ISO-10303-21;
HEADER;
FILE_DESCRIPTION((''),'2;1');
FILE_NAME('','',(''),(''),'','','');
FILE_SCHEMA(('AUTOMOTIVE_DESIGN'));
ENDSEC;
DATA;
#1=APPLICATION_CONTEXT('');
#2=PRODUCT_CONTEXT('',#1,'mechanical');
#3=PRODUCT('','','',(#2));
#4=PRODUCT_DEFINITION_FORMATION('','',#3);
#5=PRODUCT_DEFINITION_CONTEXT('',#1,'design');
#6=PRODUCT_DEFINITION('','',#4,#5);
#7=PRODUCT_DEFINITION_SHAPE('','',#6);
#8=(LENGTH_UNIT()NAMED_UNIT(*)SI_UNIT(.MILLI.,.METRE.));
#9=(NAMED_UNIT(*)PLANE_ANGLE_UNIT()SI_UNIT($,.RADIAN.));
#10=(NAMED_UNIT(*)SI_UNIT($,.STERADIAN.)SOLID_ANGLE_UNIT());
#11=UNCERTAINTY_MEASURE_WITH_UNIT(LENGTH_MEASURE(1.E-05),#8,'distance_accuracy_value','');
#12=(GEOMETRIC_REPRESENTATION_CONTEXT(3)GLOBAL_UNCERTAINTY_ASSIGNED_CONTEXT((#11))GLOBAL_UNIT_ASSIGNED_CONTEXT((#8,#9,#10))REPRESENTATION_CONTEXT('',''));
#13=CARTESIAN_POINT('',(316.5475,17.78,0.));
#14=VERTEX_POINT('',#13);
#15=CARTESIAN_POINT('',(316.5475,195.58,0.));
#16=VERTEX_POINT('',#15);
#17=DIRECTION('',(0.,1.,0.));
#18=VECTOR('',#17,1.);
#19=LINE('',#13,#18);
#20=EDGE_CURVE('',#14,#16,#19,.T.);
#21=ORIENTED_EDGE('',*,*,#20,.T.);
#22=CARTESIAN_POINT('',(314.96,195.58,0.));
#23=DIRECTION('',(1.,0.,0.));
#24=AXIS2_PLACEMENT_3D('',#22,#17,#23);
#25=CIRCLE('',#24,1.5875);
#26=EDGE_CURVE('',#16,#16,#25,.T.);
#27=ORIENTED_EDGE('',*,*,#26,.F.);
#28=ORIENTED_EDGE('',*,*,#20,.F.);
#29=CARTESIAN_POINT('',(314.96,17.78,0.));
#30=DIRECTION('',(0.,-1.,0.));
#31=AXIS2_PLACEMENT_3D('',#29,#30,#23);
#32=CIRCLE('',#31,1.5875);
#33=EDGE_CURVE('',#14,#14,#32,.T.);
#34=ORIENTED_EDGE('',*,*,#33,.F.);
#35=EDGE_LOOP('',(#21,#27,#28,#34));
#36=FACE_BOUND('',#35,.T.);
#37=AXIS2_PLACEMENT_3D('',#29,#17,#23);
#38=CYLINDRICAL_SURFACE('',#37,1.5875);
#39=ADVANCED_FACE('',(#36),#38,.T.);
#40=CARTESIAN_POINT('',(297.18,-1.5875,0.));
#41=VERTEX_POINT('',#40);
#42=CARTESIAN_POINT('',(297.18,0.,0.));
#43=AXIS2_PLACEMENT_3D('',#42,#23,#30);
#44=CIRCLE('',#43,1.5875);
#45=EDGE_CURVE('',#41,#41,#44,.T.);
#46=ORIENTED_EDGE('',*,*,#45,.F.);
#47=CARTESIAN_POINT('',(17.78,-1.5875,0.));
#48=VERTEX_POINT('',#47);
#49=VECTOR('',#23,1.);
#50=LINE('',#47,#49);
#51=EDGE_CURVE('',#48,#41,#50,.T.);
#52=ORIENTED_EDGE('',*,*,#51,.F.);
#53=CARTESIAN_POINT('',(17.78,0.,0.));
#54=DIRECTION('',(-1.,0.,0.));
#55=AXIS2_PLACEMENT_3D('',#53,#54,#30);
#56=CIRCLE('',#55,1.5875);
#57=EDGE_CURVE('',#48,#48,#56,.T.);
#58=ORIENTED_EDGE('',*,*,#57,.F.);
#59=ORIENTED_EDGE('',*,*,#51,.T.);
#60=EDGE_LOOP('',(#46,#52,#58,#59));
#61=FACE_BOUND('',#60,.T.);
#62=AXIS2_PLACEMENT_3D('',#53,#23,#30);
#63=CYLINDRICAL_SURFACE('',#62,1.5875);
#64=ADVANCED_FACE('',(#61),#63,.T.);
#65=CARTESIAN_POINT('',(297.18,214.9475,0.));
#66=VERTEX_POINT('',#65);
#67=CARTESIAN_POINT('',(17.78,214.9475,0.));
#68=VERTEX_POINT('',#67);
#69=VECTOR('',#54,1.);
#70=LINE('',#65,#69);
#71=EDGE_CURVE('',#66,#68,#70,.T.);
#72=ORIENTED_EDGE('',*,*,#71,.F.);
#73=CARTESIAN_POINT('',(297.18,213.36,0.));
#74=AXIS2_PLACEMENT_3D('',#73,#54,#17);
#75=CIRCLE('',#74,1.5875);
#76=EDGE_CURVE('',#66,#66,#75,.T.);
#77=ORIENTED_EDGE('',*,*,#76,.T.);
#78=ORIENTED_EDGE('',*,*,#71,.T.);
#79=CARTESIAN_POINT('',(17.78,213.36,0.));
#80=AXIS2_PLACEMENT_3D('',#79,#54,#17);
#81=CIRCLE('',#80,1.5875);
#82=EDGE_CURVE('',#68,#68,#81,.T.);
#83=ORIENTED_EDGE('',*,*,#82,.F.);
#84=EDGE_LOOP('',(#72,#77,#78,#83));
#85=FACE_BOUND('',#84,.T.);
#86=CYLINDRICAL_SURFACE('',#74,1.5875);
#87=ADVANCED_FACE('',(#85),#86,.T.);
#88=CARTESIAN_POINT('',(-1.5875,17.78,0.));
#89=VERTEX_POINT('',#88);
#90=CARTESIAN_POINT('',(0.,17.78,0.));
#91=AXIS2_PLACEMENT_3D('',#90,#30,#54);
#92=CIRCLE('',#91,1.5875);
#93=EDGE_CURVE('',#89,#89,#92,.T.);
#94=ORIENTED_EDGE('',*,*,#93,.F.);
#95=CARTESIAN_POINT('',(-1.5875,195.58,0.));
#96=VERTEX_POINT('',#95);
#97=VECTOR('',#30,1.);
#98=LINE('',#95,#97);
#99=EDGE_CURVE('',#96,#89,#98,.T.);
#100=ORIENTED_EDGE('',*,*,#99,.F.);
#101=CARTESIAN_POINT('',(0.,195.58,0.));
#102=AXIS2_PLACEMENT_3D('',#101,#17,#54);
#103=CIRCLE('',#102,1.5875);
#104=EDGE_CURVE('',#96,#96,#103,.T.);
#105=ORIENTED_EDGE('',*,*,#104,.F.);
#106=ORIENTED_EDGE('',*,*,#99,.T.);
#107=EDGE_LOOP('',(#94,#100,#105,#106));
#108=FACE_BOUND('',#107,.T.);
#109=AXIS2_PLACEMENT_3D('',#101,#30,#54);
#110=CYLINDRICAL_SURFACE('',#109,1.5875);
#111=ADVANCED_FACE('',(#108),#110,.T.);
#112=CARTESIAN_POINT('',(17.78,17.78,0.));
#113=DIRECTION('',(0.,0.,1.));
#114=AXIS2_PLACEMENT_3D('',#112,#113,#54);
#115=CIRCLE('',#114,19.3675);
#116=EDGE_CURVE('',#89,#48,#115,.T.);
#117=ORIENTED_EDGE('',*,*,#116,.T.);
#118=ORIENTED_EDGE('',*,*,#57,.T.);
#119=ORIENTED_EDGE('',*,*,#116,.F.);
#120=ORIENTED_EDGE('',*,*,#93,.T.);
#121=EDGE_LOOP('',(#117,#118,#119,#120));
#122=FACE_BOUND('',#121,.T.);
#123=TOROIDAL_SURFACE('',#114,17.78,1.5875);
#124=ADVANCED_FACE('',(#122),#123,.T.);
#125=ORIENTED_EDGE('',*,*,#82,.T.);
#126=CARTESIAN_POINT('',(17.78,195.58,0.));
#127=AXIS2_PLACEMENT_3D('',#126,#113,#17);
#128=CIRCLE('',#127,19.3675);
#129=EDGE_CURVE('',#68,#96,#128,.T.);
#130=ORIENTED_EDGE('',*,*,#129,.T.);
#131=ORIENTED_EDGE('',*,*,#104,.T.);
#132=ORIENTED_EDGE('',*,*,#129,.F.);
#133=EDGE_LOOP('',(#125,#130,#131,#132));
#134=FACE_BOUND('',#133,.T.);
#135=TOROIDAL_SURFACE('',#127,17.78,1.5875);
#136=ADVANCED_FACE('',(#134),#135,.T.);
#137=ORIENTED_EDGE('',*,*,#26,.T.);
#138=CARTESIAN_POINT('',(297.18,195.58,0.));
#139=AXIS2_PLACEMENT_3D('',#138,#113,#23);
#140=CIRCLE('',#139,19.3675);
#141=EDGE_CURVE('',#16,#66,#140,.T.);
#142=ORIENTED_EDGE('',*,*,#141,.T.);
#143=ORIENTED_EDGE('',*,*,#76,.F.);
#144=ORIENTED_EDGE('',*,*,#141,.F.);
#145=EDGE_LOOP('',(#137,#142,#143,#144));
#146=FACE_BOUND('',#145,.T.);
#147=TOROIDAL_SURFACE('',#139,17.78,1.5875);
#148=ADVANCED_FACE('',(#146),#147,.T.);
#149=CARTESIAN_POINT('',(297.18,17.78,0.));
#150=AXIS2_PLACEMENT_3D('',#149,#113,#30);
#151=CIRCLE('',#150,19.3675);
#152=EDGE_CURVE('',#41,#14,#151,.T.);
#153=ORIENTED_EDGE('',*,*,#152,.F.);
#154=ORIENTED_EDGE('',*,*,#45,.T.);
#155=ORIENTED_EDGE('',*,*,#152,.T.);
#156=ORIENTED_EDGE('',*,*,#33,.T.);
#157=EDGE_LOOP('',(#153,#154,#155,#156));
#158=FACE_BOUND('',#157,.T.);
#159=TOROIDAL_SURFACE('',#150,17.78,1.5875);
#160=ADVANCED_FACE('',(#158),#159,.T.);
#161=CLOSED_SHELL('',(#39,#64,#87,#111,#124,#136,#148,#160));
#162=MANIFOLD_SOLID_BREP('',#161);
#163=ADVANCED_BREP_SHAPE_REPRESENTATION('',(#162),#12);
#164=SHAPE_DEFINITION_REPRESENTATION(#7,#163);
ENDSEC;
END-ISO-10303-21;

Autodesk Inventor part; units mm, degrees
ref_plane "YZ Plane" through (0, 0, 0) normal (1, 0, 0) x (0, 1, 0)
ref_plane "XZ Plane" through (0, 0, 0) normal (0, 1, 0) x (-1, 0, 0)
sketch "Sketch1" plane through (0, 0, 0) normal (0, 0, 1) x (1, 0, 0)
  line L0 (17.78, 0) -> (297.18, 0)
  line L1 (314.96, 17.78) -> (314.96, 195.58)
  line L2 (297.18, 213.36) -> (17.78, 213.36)
  line L3 (0, 195.58) -> (0, 17.78)
  arc A0 (17.78, 213.36) -> (0, 195.58) centre (17.78, 195.58) ccw
  arc A1 (0, 17.78) -> (17.78, 0) centre (17.78, 17.78) ccw
  arc A2 (297.18, 0) -> (314.96, 17.78) centre (297.18, 17.78) ccw
  arc A3 (314.96, 195.58) -> (297.18, 213.36) centre (297.18, 195.58) ccw
  point P0 (0, 0)
  point P1 (314.96, 213.36)
  point P2 (314.96, 0)
  point P3 (0, 213.36)
  dimension "d0" = 314.96
  dimension "d1" = 213.36
  dimension "d2" = 17.78
ref_plane "Work Plane3" through (50.8, 195.58, 0) normal (-1, 0, 0) x (0, -1, 0)
ref_plane "Work Plane2" through (0, 195.58, 0) normal (-1, 0, 0) x (0, -1, 0)
sketch "Sketch2" plane through (50.8, 195.58, 0) normal (-1, 0, 0) x (0, -1, 0)
  circle A0 centre (195.58, 0) radius 1.5875
  dimension "d5" = 3.175
sweep "Sweep1" add profiles "Sketch2" path "Sketch1"
ref_plane "Work Plane1" through (0, 195.58, 0) normal (0, 0, 1) x (0, -1, 0)
properties part number "smallgasketback" material "Rubber"
